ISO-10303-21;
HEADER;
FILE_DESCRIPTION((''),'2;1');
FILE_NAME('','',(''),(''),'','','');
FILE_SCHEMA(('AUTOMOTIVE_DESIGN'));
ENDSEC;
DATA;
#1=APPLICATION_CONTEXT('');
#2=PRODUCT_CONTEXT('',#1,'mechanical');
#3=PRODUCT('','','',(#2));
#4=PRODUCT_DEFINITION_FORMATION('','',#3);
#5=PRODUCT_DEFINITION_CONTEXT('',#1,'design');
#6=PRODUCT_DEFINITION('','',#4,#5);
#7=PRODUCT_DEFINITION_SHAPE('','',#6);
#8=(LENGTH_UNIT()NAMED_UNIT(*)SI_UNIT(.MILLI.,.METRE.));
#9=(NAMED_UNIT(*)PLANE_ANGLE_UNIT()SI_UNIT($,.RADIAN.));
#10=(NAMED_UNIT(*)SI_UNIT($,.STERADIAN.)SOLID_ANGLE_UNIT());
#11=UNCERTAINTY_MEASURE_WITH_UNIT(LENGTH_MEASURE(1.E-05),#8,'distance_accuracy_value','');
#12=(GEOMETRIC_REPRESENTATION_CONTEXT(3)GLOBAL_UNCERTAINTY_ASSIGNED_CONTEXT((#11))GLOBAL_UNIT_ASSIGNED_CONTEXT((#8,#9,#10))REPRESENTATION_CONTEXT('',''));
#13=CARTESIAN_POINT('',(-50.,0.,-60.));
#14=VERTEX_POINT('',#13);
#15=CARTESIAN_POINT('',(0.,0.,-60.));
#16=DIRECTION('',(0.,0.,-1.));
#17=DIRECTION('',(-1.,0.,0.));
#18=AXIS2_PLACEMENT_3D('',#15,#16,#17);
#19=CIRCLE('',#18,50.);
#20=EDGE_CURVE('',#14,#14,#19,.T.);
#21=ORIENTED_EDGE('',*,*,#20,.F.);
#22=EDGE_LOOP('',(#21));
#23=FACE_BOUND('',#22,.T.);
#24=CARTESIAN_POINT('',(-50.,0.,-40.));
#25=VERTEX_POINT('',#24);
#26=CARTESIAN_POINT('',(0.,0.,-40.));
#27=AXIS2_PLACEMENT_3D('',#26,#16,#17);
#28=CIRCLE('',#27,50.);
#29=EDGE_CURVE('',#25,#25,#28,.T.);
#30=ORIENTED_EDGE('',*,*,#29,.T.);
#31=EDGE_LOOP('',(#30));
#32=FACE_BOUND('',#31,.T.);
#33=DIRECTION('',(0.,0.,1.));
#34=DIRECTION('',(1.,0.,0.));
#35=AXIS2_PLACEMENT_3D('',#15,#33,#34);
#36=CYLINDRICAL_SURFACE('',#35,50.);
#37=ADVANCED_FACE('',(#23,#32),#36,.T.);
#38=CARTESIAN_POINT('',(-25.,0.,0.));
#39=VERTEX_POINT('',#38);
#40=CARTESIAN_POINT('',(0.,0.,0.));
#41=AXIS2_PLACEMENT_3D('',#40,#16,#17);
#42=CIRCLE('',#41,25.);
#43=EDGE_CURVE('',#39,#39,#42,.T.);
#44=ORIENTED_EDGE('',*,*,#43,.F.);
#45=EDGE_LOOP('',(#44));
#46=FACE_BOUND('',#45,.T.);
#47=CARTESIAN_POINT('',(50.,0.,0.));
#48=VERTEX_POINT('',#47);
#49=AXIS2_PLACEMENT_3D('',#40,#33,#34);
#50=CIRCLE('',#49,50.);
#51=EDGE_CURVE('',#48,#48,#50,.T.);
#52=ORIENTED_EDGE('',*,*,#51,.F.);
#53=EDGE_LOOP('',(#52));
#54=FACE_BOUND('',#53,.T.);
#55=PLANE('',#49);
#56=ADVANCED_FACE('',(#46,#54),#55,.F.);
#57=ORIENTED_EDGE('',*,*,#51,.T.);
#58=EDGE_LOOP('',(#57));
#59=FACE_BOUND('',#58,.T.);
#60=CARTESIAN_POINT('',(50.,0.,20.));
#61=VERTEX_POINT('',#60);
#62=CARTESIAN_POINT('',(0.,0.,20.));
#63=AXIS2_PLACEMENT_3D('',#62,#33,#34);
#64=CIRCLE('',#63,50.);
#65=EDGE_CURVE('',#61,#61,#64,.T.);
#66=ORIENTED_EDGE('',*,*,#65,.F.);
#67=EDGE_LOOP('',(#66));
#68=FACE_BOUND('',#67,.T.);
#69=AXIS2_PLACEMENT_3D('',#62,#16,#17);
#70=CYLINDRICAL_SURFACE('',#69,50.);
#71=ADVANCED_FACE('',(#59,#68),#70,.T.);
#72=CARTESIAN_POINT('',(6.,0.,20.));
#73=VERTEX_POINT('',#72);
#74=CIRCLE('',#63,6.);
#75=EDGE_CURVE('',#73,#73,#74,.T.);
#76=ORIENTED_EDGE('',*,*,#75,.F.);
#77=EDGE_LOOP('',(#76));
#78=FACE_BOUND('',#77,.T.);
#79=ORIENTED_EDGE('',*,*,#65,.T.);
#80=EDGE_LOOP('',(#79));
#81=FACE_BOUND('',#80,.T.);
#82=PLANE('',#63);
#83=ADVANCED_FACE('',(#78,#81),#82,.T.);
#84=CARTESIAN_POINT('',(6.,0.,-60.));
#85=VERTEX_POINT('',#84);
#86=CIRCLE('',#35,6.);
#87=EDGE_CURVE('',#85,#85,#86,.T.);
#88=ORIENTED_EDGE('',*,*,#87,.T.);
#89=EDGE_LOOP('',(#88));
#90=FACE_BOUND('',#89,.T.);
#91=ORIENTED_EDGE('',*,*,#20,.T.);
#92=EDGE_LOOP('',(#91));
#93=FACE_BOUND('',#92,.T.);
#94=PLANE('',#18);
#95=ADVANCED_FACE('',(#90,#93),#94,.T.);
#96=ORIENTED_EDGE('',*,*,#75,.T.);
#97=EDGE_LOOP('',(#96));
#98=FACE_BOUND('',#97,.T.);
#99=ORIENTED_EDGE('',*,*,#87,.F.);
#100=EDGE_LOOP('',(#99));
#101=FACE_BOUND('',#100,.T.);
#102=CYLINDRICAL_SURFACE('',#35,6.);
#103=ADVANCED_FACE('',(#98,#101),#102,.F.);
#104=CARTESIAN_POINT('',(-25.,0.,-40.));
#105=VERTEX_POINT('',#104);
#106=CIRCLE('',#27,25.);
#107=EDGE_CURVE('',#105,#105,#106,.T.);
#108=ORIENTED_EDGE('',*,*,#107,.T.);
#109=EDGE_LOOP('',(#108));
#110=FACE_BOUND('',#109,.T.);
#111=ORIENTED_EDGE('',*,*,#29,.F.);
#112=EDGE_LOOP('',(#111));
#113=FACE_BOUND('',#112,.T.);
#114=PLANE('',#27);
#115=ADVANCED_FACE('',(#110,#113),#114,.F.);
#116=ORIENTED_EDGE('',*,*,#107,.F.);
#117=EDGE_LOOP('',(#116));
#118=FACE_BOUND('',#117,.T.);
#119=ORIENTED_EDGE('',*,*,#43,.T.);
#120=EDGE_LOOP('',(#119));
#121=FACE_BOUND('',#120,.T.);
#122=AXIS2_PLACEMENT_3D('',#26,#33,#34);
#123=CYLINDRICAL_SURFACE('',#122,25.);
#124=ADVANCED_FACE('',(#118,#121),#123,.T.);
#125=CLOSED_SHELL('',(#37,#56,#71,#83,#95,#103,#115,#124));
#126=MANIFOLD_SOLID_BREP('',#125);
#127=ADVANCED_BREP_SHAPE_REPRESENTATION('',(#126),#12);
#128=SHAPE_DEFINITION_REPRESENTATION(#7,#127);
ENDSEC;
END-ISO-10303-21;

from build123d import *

# Parameters (mm, degrees)
SKETCH1_R           = 50
BOSS_EXTRUDE1_DEPTH = 20
SKETCH2_R           = 25
BOSS_EXTRUDE2_DEPTH = 40
BOSS_EXTRUDE3_START = 20
SKETCH3_R           = 50
BOSS_EXTRUDE3_DEPTH = 20
SKETCH4_R           = 6
CUT_EXTRUDE1_DEPTH  = 107.77078252


with BuildPart() as part:
    # Sketch1 → Boss-Extrude1 (new body)
    with BuildSketch(Plane.XY):
        Circle(SKETCH1_R)
    extrude(amount=BOSS_EXTRUDE1_DEPTH)

    # Sketch2 → Boss-Extrude2 (add)
    with BuildSketch(Plane(origin=(0, 0, 0), x_dir=(-1, 0, 0), z_dir=(0, 0, -1))):
        Circle(SKETCH2_R)
    extrude(amount=BOSS_EXTRUDE2_DEPTH)

    # Sketch3 → Boss-Extrude3 (add)
    with BuildSketch(Plane(origin=(0, 0, -40), x_dir=(-1, 0, 0), z_dir=(0, 0, -1)).offset(BOSS_EXTRUDE3_START)):
        with Locations(Location((0, 0, 0), (0, 0, 180))):
            Circle(SKETCH3_R)
    extrude(amount=-BOSS_EXTRUDE3_DEPTH)

    # Sketch4 → Cut-Extrude1 (cut, through all)
    with BuildSketch(Plane.XY.offset(20)):
        Circle(SKETCH4_R)
    extrude(amount=-CUT_EXTRUDE1_DEPTH, mode=Mode.SUBTRACT)


solid = part.part
